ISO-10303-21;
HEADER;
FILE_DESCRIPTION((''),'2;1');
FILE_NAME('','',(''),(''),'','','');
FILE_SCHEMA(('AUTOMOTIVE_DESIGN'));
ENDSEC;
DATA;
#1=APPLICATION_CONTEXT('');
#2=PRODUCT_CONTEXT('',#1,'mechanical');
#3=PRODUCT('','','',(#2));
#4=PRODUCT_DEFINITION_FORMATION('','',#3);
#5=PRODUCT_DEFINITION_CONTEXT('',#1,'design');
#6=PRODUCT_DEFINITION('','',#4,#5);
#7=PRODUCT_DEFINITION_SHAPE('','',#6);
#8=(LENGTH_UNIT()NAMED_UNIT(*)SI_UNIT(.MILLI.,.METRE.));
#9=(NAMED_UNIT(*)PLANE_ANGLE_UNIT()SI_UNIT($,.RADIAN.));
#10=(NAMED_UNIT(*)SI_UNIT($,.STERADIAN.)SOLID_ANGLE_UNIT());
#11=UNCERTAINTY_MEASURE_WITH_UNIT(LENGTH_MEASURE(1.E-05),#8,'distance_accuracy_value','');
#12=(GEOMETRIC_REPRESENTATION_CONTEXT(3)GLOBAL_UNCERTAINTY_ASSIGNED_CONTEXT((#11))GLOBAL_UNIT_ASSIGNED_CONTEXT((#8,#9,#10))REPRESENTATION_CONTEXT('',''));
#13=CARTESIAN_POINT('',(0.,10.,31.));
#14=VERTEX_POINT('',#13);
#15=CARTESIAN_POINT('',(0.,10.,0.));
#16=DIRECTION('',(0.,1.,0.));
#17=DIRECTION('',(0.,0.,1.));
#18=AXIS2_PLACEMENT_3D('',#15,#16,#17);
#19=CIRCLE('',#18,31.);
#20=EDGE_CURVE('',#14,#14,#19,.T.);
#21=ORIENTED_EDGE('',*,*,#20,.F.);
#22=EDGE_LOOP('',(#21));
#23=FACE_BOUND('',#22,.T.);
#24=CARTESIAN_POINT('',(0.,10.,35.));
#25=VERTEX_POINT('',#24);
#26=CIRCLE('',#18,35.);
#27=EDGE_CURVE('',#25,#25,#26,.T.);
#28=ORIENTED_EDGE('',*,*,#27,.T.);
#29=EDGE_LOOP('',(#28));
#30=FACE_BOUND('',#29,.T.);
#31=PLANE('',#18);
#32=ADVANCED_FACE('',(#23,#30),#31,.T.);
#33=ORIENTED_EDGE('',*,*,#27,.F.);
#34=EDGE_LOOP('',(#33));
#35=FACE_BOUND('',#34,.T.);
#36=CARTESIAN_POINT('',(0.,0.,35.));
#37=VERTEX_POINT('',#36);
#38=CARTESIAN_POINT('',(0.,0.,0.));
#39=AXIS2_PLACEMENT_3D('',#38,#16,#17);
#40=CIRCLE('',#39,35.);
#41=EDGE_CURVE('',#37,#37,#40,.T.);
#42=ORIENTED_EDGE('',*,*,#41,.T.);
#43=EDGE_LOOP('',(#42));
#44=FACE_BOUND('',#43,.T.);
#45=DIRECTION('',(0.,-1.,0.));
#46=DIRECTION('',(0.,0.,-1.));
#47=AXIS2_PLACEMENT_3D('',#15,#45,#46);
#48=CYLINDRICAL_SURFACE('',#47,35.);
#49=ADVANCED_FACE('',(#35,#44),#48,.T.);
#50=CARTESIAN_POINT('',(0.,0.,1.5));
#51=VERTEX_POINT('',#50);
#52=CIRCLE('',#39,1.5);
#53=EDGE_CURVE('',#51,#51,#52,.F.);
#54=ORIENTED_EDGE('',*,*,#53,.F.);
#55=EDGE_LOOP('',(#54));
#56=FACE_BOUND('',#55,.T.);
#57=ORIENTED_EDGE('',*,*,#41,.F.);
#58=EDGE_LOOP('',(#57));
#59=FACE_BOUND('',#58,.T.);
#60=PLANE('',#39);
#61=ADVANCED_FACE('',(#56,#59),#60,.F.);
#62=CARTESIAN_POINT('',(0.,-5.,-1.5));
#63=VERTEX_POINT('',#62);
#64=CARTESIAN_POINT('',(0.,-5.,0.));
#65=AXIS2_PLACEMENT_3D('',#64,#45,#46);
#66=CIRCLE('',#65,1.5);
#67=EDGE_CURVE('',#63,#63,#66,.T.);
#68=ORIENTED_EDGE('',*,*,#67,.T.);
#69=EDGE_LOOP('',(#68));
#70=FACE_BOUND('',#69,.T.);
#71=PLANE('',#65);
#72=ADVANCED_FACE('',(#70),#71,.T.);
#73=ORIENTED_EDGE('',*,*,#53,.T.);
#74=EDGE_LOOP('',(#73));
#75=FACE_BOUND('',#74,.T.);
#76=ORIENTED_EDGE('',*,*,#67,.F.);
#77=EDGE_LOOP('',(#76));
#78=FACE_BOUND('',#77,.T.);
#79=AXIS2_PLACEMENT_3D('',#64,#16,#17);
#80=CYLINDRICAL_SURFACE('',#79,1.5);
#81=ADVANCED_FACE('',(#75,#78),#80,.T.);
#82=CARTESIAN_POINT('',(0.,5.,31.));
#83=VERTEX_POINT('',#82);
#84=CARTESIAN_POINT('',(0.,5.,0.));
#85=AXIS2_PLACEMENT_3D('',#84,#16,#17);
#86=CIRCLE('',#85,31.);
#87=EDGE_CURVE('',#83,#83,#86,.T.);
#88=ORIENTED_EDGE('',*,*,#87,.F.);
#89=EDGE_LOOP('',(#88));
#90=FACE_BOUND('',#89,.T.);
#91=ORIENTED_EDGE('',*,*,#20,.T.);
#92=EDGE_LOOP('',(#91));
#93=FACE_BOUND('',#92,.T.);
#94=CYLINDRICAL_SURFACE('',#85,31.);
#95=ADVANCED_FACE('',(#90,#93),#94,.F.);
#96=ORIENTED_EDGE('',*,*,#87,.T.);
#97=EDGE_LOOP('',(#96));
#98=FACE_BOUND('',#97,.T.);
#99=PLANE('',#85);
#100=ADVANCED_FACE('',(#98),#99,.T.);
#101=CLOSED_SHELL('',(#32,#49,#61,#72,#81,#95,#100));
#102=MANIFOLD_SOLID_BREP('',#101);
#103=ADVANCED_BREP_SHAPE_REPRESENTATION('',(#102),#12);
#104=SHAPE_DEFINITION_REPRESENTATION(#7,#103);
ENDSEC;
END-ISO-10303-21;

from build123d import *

# Parameters (mm, degrees)
SKETCH1_R           = 35
BOSS_EXTRUDE2_DEPTH = 10
SKETCH2_R           = 31
CUT_EXTRUDE1_DEPTH  = 5
SKETCH3_R           = 1.5
BOSS_EXTRUDE3_DEPTH = 5


with BuildPart() as part:
    # Sketch1 → Boss-Extrude2 (new body)
    with BuildSketch(Plane(origin=(0, 0, 0), x_dir=(1, 0, 0), z_dir=(0, 1, 0))):
        Circle(SKETCH1_R)
    extrude(amount=BOSS_EXTRUDE2_DEPTH)

    # Sketch2 → Cut-Extrude1 (cut)
    with BuildSketch(Plane(origin=(0, 10, 0), x_dir=(1, 0, 0), z_dir=(0, 1, 0))):
        Circle(SKETCH2_R)
    extrude(amount=-CUT_EXTRUDE1_DEPTH, mode=Mode.SUBTRACT)

    # Sketch3 → Boss-Extrude3 (add)
    with BuildSketch(Plane.XZ):
        Circle(SKETCH3_R)
    extrude(amount=BOSS_EXTRUDE3_DEPTH)


solid = part.part
